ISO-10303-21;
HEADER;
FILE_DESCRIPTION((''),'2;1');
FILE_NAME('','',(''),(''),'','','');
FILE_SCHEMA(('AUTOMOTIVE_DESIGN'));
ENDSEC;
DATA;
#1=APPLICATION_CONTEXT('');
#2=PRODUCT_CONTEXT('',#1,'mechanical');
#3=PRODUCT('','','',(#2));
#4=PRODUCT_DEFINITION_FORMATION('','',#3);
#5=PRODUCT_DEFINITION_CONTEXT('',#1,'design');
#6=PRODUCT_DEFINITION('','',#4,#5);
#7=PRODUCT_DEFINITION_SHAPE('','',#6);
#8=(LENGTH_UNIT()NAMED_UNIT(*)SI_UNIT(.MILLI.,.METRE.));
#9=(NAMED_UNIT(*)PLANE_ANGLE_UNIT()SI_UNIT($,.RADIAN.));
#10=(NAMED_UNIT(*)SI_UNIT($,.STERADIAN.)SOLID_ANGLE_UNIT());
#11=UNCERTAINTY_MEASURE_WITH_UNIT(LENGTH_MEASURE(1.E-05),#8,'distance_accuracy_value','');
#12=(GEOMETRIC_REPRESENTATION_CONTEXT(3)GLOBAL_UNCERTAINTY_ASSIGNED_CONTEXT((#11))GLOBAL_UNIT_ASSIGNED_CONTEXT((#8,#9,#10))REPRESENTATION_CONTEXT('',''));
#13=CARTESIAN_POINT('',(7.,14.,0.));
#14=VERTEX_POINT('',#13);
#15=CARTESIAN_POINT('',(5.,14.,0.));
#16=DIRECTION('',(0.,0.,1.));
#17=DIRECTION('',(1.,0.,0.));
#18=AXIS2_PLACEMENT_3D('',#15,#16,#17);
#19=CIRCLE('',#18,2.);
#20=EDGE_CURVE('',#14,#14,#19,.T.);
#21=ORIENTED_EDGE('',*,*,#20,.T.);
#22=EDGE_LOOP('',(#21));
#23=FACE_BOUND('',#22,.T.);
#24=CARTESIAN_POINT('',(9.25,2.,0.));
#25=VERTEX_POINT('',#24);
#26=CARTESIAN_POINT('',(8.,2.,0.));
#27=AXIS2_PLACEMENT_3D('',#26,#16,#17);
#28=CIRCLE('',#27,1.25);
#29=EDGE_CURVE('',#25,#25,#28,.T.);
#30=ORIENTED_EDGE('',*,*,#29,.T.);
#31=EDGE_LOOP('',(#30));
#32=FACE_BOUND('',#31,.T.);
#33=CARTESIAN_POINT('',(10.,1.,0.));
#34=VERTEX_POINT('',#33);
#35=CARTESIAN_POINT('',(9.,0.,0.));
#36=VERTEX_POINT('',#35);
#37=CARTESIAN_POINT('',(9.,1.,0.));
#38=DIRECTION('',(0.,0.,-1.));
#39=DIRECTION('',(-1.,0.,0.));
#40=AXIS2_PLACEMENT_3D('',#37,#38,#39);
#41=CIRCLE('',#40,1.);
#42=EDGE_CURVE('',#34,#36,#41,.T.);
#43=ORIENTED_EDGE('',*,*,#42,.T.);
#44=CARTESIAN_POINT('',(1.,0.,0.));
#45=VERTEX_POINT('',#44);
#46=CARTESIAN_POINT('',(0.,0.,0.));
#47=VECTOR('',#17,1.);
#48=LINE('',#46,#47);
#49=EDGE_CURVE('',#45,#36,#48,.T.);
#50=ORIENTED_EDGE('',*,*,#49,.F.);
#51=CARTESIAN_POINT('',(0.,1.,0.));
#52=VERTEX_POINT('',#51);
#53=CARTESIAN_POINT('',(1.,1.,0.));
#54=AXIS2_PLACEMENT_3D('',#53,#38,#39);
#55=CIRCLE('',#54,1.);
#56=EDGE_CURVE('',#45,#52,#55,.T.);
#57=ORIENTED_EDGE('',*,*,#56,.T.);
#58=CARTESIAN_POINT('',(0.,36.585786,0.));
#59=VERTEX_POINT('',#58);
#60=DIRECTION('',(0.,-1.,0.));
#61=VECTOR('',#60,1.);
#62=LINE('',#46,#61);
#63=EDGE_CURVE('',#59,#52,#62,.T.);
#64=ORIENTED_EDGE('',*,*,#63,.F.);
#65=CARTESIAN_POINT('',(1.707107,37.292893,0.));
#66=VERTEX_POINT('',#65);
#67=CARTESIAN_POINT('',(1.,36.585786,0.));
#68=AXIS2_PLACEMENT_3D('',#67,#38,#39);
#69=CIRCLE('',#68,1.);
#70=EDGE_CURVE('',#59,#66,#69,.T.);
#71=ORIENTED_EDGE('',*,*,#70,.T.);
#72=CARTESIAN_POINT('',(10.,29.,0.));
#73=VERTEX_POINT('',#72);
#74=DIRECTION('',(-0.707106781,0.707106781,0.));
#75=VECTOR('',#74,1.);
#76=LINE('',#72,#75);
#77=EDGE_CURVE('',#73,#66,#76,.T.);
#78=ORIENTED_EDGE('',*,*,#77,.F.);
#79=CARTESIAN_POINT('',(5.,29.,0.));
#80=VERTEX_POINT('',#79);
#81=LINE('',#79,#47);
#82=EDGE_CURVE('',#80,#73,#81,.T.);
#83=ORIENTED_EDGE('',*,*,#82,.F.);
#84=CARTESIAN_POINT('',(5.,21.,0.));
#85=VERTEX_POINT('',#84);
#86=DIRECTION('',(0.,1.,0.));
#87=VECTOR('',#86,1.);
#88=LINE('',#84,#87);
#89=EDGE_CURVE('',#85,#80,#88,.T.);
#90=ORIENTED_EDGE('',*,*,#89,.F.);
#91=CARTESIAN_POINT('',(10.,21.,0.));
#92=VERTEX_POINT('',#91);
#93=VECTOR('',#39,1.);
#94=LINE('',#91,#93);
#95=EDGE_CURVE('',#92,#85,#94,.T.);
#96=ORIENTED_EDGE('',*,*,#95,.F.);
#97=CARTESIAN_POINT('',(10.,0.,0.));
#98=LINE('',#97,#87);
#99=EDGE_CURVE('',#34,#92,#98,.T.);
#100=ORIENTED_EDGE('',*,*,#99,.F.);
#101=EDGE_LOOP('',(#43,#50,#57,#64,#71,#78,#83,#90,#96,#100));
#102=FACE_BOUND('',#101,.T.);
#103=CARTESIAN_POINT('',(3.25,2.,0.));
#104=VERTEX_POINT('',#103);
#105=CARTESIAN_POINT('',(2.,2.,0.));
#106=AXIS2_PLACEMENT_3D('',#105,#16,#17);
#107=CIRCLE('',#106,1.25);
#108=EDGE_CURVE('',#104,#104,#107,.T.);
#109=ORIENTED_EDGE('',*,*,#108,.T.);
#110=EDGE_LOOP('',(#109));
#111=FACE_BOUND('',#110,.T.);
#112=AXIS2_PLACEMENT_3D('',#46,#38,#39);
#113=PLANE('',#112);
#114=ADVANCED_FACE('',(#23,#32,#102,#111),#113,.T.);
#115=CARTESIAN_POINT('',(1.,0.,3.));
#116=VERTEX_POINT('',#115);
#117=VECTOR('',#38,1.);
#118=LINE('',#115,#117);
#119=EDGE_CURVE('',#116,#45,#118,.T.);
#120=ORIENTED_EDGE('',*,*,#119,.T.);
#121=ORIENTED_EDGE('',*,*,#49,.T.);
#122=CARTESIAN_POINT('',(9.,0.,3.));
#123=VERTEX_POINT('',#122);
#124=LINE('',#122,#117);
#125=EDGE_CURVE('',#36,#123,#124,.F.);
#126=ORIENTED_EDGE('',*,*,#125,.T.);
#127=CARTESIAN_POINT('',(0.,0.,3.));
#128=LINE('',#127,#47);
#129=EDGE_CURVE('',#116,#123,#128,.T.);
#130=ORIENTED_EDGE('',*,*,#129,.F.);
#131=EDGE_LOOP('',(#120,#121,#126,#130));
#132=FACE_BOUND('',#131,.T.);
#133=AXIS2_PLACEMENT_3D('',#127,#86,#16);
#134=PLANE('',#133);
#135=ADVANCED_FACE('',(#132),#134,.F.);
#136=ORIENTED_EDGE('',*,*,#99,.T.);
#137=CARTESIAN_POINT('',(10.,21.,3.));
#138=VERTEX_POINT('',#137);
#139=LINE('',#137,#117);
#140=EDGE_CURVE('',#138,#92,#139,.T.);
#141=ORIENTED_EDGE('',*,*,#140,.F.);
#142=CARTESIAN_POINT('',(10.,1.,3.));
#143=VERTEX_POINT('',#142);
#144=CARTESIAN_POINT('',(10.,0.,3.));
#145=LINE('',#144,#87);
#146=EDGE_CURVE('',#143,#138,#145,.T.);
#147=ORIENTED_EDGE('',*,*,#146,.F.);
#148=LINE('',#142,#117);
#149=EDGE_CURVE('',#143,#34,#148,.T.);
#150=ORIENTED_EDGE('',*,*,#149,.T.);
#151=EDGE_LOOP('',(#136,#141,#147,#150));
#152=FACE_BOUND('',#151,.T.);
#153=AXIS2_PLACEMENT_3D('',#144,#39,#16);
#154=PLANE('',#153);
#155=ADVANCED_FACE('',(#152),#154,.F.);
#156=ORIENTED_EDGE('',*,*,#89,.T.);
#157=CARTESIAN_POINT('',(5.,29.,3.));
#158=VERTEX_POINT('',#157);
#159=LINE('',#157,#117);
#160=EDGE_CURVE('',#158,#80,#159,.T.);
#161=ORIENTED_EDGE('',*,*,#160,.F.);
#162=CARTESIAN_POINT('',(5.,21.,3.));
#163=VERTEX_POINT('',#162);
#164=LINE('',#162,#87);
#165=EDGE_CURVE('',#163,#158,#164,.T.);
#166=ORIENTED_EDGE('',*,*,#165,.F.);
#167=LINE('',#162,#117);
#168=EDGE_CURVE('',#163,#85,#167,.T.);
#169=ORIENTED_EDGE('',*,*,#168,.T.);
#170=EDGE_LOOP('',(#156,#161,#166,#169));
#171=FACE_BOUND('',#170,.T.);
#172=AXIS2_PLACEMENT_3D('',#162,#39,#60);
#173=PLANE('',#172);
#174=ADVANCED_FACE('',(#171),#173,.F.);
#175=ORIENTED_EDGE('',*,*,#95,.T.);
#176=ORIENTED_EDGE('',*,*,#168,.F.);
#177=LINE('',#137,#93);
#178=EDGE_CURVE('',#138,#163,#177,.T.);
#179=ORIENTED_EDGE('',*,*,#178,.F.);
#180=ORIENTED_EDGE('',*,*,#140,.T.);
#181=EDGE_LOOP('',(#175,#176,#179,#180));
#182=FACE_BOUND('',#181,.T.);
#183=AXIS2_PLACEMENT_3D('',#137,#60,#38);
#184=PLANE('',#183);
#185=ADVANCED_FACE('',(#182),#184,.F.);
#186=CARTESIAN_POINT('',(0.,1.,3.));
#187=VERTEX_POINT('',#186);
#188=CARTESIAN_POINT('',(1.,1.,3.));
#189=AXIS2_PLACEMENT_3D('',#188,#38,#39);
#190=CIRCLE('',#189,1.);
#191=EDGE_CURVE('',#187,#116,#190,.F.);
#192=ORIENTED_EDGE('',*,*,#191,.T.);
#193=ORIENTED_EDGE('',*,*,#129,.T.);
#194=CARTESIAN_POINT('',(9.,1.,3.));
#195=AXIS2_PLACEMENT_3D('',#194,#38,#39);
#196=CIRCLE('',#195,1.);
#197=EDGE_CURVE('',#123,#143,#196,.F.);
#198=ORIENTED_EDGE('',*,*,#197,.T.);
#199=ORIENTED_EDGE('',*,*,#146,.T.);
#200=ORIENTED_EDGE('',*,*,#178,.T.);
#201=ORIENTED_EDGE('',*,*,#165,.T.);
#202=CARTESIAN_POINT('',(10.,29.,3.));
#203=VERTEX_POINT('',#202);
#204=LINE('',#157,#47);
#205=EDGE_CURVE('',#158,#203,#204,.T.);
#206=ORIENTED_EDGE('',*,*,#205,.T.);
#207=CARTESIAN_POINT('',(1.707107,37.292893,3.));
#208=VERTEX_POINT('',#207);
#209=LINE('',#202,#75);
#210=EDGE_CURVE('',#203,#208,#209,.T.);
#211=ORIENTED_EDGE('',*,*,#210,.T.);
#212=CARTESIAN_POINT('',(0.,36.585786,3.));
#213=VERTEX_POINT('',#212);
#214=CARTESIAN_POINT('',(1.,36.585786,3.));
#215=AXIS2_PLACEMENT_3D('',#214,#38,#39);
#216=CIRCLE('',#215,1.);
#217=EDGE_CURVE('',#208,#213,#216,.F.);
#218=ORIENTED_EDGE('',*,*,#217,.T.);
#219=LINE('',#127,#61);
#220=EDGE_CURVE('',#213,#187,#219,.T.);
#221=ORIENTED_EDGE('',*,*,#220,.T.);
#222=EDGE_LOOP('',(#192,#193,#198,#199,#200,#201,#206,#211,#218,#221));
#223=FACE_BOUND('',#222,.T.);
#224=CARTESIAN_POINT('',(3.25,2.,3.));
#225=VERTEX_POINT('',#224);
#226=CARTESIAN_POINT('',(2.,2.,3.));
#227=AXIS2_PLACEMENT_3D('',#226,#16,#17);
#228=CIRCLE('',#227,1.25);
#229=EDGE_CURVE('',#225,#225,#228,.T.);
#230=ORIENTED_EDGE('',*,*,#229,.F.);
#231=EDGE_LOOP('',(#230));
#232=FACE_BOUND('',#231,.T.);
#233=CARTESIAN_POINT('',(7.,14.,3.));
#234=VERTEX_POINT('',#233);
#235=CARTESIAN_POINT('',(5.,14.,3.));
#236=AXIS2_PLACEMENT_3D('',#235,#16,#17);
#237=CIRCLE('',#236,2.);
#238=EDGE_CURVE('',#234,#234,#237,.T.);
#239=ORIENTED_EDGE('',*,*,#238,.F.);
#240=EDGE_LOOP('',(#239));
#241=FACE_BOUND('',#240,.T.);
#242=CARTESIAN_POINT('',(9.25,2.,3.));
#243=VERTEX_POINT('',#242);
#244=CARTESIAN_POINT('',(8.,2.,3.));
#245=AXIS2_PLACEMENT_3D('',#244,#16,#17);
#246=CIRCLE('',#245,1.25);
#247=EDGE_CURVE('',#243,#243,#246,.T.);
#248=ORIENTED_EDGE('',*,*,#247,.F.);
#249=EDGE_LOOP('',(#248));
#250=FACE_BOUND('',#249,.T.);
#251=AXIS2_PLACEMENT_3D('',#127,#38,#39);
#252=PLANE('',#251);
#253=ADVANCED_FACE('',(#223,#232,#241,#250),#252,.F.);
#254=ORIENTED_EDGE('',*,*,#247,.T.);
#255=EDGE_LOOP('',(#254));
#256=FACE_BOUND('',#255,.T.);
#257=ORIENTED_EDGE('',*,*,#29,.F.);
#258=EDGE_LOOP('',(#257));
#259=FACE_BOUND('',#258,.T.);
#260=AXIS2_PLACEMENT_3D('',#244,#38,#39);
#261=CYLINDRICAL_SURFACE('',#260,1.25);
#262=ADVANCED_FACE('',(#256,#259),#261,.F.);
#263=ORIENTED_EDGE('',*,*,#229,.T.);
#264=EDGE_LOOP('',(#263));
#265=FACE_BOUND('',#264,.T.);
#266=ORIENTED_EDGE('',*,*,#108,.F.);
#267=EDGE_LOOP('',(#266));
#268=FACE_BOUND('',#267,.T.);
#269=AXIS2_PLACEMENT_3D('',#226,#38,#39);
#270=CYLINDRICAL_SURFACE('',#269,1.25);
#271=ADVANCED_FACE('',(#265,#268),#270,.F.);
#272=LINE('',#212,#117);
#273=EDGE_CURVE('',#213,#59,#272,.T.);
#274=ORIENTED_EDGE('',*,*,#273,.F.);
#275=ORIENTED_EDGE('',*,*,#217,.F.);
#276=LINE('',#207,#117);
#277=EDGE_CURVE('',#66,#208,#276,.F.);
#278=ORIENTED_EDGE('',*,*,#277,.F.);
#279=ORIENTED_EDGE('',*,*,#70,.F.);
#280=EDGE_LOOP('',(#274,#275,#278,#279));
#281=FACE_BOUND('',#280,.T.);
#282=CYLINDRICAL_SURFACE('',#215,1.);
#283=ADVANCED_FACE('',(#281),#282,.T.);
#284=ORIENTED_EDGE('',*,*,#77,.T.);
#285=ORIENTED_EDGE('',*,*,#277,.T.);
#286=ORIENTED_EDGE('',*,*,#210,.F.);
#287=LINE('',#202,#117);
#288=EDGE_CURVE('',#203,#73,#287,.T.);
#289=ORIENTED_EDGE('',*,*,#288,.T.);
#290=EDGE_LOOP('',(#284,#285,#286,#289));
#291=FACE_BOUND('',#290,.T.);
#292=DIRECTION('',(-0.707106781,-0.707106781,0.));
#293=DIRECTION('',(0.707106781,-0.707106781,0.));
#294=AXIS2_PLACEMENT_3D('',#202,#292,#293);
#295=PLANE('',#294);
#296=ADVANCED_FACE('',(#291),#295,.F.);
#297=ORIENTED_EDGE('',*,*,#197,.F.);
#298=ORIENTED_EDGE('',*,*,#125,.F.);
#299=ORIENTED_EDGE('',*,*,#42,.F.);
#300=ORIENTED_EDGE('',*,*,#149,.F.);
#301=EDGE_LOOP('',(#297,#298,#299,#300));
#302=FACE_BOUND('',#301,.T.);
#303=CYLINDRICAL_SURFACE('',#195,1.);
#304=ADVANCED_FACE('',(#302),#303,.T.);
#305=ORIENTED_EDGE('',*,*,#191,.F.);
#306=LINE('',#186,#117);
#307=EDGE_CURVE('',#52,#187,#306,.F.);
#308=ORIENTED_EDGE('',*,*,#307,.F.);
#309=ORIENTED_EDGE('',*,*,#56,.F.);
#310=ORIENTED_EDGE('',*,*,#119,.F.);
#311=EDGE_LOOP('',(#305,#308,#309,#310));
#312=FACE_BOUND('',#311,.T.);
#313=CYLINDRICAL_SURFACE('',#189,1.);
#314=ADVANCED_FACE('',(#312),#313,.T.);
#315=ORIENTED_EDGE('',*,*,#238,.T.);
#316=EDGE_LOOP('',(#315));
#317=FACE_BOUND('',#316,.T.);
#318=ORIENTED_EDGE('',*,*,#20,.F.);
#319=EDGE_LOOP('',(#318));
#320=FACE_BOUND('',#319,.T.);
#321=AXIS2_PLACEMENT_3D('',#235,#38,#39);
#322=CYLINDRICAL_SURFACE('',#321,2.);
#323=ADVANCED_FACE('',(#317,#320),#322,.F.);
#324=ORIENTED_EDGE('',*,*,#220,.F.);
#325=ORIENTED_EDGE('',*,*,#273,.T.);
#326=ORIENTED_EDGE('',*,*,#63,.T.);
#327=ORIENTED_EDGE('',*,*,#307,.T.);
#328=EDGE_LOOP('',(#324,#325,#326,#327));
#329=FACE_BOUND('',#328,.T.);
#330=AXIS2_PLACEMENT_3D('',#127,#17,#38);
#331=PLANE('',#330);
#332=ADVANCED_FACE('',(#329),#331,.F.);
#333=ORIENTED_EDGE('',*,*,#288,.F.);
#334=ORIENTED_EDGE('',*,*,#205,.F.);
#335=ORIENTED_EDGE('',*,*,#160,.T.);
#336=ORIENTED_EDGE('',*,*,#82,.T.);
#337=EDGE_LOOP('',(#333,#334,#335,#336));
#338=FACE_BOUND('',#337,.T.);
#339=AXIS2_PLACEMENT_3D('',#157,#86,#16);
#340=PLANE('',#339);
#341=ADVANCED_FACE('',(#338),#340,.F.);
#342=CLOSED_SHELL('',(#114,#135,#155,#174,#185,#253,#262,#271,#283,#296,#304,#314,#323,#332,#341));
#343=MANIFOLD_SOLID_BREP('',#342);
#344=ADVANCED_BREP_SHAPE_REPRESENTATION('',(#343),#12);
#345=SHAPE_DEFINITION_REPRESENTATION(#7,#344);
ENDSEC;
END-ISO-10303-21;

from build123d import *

# Parameters (mm, degrees)
SKETCH_1_R      = 2
SKETCH_1_R_2    = 1.25
EXTRUDE_1_DEPTH = 3
FILLET_1_R      = 1


with BuildPart() as part:
    # 草图1 → 凸台-拉伸1 (new body)
    with BuildSketch(Plane.XY):
        Polygon((10, 0), (10, 21), (5, 21), (5, 29), (10, 29), (0, 39), (0, 0), align=None)
        with Locations((5, 14)):
            Circle(SKETCH_1_R, mode=Mode.SUBTRACT)
        with Locations((2, 2)):
            Circle(SKETCH_1_R_2, mode=Mode.SUBTRACT)
        with Locations((8, 2)):
            Circle(SKETCH_1_R_2, mode=Mode.SUBTRACT)
    extrude(amount=EXTRUDE_1_DEPTH)

    # 圆角1
    fillet_1_edges = [part.edges().sort_by_distance(p)[0] for p in [
        (0, 39, 1.5),
        (10, 0, 1.5),
        (0, 0, 1.5),
    ]]
    fillet(fillet_1_edges, radius=FILLET_1_R)


solid = part.part
